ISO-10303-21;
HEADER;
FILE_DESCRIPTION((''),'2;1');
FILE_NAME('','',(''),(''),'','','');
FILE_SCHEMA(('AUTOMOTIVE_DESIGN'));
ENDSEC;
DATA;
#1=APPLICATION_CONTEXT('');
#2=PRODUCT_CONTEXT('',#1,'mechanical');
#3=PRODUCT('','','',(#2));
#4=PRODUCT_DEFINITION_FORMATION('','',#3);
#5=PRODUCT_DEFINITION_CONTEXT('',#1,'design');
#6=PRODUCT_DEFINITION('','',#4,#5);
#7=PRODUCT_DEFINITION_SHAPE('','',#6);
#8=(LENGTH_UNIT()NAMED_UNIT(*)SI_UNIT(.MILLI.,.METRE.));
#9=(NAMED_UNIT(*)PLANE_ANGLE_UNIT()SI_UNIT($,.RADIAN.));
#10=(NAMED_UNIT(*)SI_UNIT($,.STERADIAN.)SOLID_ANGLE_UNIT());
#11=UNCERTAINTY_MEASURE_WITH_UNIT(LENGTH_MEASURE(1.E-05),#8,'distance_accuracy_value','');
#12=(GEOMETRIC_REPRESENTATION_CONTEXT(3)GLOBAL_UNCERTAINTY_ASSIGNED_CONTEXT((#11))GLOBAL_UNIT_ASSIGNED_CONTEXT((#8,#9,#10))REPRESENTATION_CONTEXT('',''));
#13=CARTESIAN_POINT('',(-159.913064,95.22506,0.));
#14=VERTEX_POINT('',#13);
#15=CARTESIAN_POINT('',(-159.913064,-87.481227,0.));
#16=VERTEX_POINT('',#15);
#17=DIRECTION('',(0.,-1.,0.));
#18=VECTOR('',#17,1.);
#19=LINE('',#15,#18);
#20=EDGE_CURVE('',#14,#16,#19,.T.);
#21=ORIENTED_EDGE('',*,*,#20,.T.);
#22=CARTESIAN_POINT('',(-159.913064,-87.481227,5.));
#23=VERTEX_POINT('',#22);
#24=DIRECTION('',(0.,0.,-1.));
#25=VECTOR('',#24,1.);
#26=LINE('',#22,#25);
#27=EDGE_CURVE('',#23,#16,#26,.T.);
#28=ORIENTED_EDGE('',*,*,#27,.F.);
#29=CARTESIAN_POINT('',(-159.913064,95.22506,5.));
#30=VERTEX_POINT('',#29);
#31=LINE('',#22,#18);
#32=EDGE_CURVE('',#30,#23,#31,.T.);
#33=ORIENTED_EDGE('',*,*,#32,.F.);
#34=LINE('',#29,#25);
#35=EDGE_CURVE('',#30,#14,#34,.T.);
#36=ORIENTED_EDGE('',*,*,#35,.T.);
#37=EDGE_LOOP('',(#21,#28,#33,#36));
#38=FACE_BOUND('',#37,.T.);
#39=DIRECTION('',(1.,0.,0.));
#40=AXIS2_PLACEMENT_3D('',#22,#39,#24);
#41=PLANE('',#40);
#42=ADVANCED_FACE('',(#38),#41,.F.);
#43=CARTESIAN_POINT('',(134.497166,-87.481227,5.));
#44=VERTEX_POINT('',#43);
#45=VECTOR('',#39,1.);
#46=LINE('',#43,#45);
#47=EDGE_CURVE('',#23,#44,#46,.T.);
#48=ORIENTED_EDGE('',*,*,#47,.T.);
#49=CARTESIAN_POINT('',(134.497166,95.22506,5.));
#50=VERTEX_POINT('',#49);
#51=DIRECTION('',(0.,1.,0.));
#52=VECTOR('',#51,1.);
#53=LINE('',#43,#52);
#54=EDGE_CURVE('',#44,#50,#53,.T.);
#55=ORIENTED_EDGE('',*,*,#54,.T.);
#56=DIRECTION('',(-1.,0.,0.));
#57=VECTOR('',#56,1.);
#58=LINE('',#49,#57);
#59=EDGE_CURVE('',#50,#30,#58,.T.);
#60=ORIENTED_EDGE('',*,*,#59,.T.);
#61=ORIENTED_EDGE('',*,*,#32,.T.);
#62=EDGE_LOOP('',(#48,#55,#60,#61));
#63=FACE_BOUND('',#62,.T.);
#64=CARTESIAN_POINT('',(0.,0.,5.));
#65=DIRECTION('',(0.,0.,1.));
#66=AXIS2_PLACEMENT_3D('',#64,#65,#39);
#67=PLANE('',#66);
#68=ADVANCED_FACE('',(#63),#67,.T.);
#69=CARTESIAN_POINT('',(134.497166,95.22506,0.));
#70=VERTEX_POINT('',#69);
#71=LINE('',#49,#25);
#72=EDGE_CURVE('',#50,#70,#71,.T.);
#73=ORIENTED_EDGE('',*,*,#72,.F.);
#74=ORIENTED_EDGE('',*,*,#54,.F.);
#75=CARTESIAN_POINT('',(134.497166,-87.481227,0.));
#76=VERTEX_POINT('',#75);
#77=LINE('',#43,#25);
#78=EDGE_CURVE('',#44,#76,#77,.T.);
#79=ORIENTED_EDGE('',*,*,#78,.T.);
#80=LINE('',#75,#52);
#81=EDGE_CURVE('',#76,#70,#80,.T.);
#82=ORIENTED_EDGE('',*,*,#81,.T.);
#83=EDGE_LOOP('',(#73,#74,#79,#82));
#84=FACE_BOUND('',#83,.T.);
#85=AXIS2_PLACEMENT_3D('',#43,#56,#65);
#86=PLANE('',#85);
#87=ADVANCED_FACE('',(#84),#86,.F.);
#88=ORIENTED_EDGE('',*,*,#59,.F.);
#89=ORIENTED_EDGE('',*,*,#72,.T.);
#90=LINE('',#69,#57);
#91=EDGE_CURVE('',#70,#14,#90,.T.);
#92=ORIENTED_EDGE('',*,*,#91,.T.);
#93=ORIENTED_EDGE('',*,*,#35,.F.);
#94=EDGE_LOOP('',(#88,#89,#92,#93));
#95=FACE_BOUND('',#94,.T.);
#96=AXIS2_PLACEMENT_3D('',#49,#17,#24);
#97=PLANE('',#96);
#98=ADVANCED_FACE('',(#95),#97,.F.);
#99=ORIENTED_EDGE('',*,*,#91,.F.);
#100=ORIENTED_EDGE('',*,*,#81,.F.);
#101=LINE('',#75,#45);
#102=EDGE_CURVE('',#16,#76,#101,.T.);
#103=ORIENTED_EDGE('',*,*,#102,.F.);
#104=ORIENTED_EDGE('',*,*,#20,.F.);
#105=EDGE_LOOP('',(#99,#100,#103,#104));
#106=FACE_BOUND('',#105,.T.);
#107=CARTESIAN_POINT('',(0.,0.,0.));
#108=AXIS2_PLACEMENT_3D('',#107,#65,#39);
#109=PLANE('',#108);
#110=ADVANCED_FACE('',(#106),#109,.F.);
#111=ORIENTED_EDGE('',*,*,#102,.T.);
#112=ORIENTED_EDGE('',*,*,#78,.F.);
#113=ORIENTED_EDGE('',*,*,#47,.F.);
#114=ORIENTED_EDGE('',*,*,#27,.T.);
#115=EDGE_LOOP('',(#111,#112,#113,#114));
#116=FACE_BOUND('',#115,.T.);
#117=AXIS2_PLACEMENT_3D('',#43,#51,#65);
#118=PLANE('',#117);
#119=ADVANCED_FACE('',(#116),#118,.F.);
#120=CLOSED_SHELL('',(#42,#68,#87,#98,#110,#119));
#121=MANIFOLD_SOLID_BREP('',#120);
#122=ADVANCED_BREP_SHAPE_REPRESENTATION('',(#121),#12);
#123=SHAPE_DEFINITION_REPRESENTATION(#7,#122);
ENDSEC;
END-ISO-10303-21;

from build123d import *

# Parameters (mm, degrees)
ESQUISSE1_W        = 294.410230147
ESQUISSE1_H        = 182.706286851
BOSS_EXTRU_1_DEPTH = 5


with BuildPart() as part:
    # Esquisse1 → Boss.-Extru.1 (new body)
    with BuildSketch(Plane.XY):
        with Locations((-12.707948776, 3.871916574)):
            Rectangle(ESQUISSE1_W, ESQUISSE1_H)
    extrude(amount=BOSS_EXTRU_1_DEPTH)


solid = part.part
